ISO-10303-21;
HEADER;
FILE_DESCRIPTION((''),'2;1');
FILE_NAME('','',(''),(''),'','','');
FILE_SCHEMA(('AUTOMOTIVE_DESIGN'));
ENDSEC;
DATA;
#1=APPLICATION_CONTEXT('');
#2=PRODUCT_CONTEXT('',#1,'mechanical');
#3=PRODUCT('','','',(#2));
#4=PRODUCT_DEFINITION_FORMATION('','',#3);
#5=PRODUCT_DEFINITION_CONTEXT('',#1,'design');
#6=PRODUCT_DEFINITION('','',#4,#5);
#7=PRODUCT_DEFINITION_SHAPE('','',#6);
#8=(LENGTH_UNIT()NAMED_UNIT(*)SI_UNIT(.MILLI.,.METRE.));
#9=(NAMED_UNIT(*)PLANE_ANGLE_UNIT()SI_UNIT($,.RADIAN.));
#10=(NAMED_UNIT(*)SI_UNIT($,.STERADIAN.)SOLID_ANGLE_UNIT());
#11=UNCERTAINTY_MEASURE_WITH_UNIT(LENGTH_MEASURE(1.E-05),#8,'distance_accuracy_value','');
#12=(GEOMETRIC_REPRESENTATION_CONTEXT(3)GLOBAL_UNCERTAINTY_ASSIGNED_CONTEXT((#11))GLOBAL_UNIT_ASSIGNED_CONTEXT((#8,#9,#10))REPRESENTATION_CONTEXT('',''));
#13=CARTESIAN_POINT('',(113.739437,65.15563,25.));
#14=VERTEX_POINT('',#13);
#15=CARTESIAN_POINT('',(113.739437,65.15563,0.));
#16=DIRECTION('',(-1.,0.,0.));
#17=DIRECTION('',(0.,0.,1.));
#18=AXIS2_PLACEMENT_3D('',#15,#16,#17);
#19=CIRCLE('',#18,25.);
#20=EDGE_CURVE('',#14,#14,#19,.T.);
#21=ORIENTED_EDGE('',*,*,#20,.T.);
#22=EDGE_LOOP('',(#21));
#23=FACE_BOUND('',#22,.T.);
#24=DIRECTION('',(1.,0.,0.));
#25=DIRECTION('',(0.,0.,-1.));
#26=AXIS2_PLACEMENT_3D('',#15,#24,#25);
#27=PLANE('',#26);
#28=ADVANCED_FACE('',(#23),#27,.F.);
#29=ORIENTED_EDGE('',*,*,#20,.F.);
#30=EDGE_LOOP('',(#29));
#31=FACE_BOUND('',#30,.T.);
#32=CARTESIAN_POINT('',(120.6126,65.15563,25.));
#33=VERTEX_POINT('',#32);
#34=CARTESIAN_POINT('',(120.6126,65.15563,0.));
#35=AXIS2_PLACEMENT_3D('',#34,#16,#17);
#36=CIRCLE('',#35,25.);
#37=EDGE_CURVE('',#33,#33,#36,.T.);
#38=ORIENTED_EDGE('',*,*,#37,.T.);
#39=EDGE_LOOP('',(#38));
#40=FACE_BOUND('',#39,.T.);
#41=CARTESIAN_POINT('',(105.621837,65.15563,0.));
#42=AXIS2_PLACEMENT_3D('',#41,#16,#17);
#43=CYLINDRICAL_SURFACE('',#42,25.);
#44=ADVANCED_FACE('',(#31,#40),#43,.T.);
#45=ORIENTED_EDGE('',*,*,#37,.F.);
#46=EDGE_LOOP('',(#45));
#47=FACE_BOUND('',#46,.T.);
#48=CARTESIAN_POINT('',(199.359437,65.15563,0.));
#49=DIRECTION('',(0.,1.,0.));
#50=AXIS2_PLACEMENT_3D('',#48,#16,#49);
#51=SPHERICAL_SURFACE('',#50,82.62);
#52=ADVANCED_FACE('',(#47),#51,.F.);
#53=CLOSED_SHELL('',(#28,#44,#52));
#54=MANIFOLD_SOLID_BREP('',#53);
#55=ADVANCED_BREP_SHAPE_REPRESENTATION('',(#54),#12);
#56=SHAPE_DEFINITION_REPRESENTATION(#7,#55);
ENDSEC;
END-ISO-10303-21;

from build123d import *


with BuildPart() as part:
    # 草图1 → 旋转1 (revolve)
    with BuildSketch(Plane.XY):
        with BuildLine():
            Line((113.739437135, 65.155630457), (113.739437135, 90.155630457))
            Line((113.739437135, 90.155630457), (120.612599738, 90.155630457))
            ThreePointArc((120.612599738, 90.155630457), (117.713469366, 77.80475482), (116.739437135, 65.155630457))
            Line((116.739437135, 65.155630457), (113.739437135, 65.155630457))
        make_face()
    revolve(axis=Axis((105.621837124, 65.155630457, 0), (1, 0, 0)))


solid = part.part
